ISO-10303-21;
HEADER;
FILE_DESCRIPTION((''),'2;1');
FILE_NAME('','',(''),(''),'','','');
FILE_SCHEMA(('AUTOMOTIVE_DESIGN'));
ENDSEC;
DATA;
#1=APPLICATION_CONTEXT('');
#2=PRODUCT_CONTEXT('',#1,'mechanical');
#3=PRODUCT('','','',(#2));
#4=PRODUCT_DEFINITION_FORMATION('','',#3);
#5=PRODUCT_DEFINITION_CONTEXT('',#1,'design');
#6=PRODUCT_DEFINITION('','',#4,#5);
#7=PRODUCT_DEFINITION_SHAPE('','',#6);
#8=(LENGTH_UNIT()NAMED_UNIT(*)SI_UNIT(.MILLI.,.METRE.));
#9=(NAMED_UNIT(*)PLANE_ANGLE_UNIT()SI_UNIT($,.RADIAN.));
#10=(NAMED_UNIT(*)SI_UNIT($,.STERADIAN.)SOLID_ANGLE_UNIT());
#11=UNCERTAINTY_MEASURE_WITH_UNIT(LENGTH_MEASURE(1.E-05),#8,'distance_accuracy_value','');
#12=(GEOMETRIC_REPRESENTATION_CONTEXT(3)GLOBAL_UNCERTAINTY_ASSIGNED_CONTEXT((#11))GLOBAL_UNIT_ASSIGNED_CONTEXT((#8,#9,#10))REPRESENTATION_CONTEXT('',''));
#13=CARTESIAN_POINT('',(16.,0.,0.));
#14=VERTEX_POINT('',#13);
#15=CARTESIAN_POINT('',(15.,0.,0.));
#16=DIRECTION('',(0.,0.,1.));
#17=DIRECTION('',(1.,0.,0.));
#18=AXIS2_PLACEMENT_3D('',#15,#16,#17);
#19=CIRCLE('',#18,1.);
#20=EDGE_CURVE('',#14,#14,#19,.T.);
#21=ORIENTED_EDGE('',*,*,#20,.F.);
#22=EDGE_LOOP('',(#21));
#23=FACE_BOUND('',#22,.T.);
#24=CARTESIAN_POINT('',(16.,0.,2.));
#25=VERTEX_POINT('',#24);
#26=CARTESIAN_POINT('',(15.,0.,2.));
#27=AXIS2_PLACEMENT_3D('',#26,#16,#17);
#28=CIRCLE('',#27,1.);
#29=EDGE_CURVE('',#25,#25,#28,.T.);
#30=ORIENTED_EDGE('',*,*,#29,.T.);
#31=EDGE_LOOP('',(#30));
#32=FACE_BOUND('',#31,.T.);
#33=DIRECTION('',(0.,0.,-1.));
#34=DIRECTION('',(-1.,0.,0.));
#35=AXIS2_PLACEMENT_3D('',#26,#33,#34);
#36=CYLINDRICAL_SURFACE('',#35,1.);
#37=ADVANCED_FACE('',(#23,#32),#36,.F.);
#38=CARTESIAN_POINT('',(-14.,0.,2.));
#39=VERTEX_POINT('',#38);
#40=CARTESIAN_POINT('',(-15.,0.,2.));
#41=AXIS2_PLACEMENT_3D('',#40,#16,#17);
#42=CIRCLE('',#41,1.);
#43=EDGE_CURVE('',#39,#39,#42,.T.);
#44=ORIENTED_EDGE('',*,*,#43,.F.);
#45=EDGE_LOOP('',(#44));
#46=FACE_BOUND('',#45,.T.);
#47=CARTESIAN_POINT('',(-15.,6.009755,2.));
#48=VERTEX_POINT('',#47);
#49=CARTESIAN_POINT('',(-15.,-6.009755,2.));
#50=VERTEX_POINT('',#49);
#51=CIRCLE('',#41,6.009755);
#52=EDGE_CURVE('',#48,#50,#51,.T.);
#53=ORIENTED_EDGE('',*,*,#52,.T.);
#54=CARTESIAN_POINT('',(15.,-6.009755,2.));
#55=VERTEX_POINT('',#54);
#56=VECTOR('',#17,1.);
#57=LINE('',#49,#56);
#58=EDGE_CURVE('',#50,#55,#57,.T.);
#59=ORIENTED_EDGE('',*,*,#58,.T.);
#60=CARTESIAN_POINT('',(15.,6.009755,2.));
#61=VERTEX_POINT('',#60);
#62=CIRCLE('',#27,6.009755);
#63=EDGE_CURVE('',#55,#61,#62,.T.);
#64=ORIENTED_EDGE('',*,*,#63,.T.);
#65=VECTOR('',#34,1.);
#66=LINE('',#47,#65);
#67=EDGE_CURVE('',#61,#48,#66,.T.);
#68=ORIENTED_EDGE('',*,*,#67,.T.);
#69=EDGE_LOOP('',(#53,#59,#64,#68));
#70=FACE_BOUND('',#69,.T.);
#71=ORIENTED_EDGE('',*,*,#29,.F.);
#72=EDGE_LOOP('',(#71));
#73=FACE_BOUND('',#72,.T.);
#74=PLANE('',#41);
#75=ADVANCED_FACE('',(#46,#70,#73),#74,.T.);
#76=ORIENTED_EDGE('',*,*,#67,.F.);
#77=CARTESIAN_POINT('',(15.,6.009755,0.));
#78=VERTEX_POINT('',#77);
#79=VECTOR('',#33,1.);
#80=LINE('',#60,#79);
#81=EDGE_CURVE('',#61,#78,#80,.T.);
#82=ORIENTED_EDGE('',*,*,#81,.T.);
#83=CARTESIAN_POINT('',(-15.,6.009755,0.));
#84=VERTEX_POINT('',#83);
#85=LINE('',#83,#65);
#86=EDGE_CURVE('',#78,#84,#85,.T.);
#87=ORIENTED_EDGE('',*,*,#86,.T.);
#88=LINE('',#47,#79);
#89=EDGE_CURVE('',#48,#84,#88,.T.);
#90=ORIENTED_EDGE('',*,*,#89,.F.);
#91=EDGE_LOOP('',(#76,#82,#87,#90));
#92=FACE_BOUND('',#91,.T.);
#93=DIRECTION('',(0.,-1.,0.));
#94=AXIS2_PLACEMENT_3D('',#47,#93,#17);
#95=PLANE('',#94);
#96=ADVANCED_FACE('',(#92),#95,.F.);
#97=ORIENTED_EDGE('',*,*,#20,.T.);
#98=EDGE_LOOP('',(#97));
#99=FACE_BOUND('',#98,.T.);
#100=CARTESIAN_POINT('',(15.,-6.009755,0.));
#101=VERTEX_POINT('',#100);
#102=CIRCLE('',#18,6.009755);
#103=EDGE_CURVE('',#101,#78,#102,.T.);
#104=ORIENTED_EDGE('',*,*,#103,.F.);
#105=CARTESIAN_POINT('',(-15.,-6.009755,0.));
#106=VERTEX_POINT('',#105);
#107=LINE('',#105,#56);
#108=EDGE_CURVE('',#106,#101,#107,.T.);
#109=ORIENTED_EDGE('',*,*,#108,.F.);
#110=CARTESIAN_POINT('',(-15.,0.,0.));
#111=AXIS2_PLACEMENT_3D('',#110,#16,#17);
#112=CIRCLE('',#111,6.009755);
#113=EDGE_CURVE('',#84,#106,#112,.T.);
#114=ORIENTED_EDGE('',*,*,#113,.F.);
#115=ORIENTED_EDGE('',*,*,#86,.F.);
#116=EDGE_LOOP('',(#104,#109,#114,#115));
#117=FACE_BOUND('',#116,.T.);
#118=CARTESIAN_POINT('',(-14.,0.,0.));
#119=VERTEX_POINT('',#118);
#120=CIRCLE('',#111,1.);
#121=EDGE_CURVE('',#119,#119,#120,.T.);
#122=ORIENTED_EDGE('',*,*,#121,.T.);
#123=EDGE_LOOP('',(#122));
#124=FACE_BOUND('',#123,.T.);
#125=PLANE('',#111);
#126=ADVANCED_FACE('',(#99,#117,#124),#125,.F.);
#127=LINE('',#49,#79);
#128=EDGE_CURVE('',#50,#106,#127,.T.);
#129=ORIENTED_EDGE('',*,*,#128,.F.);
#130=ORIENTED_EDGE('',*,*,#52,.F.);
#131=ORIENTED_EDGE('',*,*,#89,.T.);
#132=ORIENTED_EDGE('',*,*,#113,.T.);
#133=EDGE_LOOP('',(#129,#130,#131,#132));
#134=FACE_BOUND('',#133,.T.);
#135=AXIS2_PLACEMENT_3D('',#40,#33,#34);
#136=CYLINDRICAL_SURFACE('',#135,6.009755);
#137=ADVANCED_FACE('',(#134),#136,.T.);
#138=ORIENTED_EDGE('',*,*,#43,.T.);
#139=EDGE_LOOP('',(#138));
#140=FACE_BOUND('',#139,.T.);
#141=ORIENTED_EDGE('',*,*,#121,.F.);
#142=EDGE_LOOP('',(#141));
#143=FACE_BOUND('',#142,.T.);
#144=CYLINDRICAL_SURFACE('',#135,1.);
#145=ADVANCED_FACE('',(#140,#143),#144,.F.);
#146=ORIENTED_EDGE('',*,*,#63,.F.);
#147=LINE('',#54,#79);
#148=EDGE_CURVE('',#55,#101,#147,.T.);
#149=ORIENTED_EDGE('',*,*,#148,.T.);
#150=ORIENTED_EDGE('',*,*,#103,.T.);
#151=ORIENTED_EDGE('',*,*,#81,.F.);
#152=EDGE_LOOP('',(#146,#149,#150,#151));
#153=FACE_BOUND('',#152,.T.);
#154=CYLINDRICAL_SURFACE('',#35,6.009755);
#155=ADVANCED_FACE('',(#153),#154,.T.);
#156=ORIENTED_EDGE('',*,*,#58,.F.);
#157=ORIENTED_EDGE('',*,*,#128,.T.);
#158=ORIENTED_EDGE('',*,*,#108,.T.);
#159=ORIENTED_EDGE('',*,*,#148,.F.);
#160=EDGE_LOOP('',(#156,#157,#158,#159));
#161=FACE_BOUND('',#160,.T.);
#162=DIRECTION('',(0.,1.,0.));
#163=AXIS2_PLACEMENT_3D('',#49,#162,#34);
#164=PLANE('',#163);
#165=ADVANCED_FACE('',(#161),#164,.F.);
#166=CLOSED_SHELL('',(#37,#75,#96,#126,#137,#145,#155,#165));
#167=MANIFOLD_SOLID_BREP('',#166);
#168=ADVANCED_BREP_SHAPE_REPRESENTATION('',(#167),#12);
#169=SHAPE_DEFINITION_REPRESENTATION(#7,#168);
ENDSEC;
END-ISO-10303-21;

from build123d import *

# Parameters (mm, degrees)
SKETCH1_R           = 1
BOSS_EXTRUDE1_DEPTH = 2


with BuildPart() as part:
    # Sketch1 → Boss-Extrude1 (new body)
    with BuildSketch(Plane.XY):
        with BuildLine():
            Line((-15, 6.009754879), (15, 6.009754879))
            ThreePointArc((15, 6.009754879), (21.009754879, 0), (15, -6.009754879))
            Line((15, -6.009754879), (-15, -6.009754879))
            ThreePointArc((-15, -6.009754879), (-21.009754879, 0), (-15, 6.009754879))
        make_face()
        with Locations((-15, 0)):
            Circle(SKETCH1_R, mode=Mode.SUBTRACT)
        with Locations((15, 0)):
            Circle(SKETCH1_R, mode=Mode.SUBTRACT)
    extrude(amount=BOSS_EXTRUDE1_DEPTH)


solid = part.part
